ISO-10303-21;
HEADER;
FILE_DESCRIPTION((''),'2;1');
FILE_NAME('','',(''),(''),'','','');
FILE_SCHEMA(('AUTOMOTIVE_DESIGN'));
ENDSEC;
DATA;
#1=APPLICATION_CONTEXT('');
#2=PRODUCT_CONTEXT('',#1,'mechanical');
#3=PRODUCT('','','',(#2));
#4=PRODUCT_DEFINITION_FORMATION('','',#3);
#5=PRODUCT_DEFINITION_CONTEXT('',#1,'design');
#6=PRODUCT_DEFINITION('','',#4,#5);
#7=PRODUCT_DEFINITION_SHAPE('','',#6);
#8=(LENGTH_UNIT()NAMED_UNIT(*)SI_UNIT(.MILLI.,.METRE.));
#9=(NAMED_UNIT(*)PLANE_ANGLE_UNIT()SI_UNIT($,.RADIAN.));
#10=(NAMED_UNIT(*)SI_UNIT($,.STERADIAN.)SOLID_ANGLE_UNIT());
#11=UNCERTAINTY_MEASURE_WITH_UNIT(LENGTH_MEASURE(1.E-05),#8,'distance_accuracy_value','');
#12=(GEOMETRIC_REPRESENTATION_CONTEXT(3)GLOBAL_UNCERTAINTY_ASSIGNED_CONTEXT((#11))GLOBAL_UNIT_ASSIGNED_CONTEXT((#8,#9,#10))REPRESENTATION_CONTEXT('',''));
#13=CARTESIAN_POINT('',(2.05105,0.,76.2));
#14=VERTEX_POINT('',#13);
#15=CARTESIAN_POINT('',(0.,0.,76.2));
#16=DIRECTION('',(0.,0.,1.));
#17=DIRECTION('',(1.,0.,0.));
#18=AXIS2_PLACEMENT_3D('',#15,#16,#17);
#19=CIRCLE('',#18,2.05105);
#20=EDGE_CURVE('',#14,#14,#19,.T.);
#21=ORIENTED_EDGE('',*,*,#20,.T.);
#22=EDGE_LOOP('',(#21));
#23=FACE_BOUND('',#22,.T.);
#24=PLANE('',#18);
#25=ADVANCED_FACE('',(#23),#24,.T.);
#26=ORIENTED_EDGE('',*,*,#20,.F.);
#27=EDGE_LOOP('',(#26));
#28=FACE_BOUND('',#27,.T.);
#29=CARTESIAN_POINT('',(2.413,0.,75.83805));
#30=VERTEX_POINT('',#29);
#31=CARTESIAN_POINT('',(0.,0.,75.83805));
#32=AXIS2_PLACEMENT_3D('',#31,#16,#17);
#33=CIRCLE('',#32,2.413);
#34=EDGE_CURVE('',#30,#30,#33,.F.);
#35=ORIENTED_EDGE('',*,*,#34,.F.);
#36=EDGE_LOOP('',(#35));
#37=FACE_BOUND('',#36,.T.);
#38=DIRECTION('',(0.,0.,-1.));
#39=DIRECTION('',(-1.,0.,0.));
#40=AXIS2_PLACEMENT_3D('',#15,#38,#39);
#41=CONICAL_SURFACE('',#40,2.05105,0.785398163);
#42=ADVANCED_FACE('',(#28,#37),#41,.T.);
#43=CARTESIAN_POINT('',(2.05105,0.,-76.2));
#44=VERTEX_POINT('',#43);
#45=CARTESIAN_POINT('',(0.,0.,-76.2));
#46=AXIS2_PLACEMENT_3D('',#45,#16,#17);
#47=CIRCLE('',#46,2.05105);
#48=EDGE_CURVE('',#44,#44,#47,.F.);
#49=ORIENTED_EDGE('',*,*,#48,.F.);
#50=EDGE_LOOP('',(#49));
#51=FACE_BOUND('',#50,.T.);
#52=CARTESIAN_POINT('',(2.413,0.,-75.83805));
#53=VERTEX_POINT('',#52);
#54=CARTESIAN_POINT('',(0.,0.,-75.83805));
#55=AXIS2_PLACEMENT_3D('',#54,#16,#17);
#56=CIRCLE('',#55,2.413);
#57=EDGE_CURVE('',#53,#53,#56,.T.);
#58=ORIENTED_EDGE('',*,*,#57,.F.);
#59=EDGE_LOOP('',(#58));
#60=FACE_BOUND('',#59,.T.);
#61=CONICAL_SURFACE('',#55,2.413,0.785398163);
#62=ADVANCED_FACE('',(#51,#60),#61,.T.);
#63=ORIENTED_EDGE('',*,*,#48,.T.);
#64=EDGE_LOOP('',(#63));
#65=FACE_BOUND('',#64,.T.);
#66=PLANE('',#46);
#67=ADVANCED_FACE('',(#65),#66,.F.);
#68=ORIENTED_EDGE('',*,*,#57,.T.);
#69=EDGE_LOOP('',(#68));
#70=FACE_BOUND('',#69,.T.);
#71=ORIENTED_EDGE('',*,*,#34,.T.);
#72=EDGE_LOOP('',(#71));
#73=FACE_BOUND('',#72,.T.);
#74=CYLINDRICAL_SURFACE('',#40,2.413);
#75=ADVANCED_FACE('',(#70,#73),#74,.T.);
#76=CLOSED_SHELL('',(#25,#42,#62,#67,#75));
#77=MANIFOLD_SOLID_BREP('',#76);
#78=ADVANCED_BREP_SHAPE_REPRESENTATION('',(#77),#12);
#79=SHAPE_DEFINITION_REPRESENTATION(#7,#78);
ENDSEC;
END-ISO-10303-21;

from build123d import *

# Parameters (mm, degrees)
BOSS_EXTRUDE1_DEPTH      = 76.2
BOSS_EXTRUDE1_DEPTH_BACK = 76.2
SKETCH2_R                = 2.413
CHAMFER1_SIZE            = 0.36195


with BuildPart() as part:
    # Sketch2 → Boss-Extrude1 (new, two sides: drawn at the far end of the back side and taken through both)
    with BuildSketch(Plane.XY.offset(-BOSS_EXTRUDE1_DEPTH_BACK)):
        Circle(SKETCH2_R)
    extrude(amount=BOSS_EXTRUDE1_DEPTH + BOSS_EXTRUDE1_DEPTH_BACK)

    # Chamfer1
    chamfer1_edges = [part.edges().sort_by_distance(p)[0] for p in [
        (-2.413, 0, -76.2),
        (-2.413, 0, 76.2),
    ]]
    chamfer(chamfer1_edges, length=CHAMFER1_SIZE)


solid = part.part
